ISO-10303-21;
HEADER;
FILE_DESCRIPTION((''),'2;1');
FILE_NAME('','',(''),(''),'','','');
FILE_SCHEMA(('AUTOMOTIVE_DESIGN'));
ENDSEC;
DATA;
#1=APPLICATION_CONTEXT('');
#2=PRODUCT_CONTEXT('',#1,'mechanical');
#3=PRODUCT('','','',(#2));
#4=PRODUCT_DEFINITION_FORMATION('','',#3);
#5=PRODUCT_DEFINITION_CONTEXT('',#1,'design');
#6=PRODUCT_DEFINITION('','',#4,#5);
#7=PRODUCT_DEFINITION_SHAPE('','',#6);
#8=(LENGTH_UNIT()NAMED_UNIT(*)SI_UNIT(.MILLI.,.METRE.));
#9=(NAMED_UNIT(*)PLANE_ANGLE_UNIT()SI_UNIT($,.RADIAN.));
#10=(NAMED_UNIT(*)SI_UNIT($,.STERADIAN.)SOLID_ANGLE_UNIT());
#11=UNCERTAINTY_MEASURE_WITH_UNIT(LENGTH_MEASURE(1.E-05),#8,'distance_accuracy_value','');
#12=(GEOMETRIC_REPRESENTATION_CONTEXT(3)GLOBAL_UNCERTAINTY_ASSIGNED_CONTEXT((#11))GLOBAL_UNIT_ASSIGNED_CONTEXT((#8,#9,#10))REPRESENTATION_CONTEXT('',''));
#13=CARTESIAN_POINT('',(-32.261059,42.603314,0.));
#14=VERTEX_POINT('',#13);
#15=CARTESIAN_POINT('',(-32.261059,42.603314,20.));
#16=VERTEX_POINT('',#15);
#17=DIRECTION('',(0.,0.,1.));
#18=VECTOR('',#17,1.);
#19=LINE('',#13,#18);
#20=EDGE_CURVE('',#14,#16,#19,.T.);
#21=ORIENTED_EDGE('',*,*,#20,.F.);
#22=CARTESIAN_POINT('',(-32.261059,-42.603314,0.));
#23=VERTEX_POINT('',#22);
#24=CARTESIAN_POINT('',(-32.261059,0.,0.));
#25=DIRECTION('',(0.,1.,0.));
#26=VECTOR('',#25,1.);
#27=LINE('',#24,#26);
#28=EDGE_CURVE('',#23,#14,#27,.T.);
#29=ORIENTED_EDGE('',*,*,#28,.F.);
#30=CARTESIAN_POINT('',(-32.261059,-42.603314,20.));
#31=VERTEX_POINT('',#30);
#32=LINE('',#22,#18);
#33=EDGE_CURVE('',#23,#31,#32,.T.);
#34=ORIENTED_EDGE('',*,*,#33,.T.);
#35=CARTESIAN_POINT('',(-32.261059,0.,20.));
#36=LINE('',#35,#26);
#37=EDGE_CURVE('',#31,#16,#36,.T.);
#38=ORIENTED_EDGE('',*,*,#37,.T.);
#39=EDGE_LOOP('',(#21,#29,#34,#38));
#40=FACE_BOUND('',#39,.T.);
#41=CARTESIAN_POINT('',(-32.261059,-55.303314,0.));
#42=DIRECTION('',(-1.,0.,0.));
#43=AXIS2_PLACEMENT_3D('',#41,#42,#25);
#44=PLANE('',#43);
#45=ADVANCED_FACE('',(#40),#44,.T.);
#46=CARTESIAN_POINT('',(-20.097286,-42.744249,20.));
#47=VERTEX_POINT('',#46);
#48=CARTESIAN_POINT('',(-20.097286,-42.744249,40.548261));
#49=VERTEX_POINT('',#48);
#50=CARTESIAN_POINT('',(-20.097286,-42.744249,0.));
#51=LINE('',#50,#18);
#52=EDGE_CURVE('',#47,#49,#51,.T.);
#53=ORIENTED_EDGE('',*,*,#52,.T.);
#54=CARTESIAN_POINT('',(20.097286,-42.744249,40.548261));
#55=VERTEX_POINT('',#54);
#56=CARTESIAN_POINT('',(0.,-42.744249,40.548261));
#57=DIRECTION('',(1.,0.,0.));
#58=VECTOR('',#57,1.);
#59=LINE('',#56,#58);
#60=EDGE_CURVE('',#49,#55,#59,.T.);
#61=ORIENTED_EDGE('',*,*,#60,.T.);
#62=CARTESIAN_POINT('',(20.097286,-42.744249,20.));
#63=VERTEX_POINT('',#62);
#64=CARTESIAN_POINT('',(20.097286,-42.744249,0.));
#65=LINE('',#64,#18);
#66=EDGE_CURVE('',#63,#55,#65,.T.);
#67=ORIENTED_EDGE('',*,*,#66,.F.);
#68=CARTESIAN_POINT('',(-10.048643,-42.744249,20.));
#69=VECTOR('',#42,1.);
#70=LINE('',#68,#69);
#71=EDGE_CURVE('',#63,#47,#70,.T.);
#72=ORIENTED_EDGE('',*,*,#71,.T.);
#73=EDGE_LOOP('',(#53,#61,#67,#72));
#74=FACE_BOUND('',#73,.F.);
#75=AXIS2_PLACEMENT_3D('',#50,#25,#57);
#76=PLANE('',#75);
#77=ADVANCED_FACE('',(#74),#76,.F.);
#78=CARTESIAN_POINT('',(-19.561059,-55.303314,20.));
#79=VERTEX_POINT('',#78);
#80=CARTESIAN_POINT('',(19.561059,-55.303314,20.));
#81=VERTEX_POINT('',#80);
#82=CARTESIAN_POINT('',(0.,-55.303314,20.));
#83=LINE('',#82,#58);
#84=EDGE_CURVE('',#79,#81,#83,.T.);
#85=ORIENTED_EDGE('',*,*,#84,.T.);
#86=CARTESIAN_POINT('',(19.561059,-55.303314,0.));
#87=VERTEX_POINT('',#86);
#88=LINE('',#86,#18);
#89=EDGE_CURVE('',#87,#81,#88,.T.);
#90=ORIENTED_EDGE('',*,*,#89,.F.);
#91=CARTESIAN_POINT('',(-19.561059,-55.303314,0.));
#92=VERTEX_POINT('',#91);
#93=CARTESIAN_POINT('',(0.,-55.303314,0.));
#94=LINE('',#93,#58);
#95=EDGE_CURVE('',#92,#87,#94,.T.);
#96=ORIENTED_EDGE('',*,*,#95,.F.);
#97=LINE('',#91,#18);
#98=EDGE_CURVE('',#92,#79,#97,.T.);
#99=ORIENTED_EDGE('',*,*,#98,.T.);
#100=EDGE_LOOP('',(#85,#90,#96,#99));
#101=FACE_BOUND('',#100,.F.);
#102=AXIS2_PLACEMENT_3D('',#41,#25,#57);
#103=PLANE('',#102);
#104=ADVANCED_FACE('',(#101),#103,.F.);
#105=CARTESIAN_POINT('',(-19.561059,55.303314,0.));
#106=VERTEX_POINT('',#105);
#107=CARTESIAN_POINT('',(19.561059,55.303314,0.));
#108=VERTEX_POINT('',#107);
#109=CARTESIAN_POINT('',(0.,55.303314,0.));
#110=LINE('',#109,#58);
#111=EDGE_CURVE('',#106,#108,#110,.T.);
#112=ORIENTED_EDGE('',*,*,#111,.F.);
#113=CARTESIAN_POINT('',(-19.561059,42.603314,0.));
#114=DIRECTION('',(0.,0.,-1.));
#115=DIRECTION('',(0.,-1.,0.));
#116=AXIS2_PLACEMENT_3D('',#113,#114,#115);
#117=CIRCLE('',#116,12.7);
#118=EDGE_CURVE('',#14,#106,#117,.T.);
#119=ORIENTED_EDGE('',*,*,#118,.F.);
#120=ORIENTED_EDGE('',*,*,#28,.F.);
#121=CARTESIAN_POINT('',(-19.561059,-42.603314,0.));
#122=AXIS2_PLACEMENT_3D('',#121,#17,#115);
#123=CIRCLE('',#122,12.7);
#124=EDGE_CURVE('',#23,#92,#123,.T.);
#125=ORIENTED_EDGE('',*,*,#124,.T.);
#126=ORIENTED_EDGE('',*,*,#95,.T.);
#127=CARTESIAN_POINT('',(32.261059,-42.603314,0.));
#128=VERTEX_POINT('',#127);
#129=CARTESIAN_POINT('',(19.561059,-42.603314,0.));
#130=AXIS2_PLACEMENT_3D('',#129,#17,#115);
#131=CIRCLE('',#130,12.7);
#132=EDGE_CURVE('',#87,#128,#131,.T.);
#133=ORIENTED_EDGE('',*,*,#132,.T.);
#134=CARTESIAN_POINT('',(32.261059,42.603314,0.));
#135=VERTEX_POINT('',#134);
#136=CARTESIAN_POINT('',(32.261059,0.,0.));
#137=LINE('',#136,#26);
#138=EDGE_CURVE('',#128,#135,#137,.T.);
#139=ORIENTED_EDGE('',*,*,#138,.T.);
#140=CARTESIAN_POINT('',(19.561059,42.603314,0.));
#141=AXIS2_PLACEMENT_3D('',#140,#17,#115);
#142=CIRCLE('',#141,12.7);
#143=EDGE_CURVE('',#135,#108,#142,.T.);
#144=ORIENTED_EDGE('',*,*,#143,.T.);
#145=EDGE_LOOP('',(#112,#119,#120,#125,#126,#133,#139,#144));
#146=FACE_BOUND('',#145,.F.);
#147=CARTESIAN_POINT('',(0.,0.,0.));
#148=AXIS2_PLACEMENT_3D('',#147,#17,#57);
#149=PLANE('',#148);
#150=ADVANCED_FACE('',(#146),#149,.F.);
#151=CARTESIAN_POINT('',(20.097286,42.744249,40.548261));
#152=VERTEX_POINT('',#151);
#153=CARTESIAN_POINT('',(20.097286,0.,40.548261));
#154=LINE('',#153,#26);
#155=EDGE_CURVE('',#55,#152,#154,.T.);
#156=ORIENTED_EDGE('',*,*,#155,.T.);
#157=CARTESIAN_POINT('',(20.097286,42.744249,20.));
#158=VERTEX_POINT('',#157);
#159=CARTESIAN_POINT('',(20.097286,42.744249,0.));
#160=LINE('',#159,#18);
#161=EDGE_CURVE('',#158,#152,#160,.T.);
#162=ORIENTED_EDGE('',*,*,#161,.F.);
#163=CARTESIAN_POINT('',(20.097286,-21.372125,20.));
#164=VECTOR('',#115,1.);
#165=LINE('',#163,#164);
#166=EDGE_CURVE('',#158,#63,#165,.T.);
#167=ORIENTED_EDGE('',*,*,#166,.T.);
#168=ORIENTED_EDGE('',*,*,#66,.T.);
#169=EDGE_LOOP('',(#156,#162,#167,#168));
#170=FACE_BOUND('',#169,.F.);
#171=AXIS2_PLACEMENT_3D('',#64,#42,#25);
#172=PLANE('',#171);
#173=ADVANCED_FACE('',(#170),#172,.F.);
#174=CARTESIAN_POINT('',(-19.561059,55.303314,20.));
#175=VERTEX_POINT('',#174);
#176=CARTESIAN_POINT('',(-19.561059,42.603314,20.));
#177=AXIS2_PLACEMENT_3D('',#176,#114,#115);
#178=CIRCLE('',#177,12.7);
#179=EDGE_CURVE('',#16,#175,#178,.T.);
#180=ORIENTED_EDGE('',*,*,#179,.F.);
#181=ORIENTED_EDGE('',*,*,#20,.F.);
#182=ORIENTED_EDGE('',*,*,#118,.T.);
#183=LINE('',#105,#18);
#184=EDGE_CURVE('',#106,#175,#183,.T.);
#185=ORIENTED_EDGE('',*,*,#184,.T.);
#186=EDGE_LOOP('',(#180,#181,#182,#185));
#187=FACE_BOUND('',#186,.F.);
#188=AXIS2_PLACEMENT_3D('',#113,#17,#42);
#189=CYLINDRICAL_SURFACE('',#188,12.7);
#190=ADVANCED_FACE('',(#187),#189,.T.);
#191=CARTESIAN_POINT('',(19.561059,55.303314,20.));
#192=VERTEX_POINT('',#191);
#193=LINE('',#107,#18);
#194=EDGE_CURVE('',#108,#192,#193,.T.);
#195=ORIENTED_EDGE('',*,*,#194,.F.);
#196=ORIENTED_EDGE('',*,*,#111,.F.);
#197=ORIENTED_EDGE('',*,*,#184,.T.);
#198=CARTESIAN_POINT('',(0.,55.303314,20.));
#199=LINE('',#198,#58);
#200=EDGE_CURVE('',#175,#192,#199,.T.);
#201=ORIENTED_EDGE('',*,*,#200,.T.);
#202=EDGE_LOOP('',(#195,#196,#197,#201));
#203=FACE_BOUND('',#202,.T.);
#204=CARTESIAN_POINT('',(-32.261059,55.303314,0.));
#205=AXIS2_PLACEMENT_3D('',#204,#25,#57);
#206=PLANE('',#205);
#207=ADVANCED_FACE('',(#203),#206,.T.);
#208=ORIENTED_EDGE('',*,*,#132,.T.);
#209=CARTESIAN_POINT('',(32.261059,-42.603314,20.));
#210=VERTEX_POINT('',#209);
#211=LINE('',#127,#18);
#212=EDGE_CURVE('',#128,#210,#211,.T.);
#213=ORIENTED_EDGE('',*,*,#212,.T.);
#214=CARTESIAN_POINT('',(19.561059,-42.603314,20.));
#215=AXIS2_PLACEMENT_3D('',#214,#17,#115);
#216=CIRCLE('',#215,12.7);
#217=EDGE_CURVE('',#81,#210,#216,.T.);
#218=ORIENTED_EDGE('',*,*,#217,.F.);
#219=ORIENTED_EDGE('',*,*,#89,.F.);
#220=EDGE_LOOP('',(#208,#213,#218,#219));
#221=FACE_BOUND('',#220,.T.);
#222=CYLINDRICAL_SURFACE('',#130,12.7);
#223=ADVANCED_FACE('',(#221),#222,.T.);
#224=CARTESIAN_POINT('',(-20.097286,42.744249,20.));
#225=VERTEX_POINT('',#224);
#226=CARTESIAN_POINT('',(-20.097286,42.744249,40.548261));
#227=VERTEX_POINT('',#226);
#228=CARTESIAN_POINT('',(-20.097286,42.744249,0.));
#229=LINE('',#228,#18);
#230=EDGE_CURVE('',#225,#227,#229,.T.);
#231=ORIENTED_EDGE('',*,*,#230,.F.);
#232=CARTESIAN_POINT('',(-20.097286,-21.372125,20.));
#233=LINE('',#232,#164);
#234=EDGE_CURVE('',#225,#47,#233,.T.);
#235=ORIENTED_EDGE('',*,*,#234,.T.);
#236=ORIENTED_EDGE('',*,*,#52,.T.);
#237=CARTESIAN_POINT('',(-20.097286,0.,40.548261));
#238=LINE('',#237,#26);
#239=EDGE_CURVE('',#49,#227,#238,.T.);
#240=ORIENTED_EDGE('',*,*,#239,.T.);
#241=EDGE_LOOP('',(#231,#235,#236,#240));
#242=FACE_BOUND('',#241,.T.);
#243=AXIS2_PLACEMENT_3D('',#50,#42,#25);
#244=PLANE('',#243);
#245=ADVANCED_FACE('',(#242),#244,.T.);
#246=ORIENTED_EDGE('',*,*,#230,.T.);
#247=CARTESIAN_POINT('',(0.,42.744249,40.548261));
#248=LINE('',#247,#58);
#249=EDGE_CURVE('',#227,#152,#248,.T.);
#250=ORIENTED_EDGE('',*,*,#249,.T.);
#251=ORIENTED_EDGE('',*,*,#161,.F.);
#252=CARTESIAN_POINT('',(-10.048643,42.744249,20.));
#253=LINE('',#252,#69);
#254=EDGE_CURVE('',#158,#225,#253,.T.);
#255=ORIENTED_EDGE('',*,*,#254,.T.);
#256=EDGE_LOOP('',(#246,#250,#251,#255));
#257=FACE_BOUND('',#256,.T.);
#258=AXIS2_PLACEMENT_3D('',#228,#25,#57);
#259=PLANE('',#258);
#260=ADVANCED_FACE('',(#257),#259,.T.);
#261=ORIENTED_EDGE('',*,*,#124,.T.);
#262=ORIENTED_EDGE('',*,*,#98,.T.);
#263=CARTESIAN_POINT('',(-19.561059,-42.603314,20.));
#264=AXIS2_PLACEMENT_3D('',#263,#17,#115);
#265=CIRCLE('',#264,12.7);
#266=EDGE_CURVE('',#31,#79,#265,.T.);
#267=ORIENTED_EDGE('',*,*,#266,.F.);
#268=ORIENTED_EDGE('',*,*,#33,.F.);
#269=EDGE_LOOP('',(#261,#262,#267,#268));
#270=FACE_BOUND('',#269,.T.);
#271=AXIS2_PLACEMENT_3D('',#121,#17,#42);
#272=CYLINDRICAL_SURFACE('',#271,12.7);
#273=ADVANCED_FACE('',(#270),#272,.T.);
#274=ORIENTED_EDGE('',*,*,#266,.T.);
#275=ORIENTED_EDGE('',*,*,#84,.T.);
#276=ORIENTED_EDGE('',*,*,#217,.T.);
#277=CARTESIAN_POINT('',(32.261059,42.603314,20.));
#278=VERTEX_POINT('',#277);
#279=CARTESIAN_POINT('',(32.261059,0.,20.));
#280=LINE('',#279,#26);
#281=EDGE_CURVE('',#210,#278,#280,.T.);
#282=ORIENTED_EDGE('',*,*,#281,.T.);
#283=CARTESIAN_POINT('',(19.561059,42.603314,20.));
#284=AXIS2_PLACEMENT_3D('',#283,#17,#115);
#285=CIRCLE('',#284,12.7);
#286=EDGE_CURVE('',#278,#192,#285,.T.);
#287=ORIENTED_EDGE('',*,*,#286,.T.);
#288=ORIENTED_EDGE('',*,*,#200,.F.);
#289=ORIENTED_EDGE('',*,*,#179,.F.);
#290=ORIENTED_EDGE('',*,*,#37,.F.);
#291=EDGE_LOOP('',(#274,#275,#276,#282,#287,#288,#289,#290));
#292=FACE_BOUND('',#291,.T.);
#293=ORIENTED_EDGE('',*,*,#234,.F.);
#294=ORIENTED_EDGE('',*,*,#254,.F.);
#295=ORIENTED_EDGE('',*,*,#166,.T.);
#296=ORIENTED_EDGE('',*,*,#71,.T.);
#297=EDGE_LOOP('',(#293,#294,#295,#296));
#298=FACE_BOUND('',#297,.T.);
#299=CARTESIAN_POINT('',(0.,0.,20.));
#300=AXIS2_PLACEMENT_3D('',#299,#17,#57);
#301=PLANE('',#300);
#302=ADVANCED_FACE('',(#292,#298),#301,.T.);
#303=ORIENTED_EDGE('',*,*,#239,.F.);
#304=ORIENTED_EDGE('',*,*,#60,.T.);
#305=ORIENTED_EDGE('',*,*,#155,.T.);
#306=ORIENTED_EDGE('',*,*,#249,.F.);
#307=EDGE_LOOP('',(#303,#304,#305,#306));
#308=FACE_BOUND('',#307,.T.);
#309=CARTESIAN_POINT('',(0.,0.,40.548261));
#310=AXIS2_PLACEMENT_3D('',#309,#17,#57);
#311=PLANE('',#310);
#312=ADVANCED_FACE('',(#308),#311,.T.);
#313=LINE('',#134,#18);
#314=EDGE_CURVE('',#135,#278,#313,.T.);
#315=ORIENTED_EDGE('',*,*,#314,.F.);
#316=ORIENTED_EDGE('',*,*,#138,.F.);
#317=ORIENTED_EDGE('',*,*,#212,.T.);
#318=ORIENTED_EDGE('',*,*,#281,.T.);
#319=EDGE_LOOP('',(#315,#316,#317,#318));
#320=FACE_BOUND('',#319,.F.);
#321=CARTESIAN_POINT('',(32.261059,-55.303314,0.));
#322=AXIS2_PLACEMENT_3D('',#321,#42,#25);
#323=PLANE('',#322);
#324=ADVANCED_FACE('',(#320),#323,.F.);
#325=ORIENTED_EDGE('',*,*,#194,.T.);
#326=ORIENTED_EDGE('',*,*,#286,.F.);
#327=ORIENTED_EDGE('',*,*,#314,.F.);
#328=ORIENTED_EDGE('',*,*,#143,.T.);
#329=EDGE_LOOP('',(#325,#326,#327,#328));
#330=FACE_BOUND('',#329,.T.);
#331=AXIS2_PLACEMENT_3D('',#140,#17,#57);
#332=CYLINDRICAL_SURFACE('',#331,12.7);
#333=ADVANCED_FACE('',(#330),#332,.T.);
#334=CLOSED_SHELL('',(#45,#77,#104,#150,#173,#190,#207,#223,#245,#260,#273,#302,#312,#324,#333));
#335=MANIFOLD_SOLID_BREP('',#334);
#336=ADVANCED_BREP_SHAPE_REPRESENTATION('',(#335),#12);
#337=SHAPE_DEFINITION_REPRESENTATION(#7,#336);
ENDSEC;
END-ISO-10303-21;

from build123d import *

# Parameters (mm, degrees)
F0_W     = 64.522118
F0_H     = 110.606628
F1_DEPTH = 20
F2_R     = 12.7
F3_W     = 40.194572
F3_H     = 85.488498
F4_DEPTH = 40.548261


with BuildPart() as f1:
    # F0 (on Top) → F1 (new body)
    with BuildSketch(Plane.XY):
        Rectangle(F0_W, F0_H)
    extrude(amount=F1_DEPTH)

    # F2
    f2_edges = [f1.edges().sort_by_distance(p)[0] for p in [
        (-32.261059, 55.303314, 10),
        (-32.261059, -55.303314, 10),
        (32.261059, 55.303314, 10),
        (32.261059, -55.303314, 10),
    ]]
    fillet(f2_edges, radius=F2_R)

    # F3 (on Top) → F4 (join)
    with BuildSketch(Plane.XY):
        Rectangle(F3_W, F3_H)
    extrude(amount=F4_DEPTH)


solid = f1.part
